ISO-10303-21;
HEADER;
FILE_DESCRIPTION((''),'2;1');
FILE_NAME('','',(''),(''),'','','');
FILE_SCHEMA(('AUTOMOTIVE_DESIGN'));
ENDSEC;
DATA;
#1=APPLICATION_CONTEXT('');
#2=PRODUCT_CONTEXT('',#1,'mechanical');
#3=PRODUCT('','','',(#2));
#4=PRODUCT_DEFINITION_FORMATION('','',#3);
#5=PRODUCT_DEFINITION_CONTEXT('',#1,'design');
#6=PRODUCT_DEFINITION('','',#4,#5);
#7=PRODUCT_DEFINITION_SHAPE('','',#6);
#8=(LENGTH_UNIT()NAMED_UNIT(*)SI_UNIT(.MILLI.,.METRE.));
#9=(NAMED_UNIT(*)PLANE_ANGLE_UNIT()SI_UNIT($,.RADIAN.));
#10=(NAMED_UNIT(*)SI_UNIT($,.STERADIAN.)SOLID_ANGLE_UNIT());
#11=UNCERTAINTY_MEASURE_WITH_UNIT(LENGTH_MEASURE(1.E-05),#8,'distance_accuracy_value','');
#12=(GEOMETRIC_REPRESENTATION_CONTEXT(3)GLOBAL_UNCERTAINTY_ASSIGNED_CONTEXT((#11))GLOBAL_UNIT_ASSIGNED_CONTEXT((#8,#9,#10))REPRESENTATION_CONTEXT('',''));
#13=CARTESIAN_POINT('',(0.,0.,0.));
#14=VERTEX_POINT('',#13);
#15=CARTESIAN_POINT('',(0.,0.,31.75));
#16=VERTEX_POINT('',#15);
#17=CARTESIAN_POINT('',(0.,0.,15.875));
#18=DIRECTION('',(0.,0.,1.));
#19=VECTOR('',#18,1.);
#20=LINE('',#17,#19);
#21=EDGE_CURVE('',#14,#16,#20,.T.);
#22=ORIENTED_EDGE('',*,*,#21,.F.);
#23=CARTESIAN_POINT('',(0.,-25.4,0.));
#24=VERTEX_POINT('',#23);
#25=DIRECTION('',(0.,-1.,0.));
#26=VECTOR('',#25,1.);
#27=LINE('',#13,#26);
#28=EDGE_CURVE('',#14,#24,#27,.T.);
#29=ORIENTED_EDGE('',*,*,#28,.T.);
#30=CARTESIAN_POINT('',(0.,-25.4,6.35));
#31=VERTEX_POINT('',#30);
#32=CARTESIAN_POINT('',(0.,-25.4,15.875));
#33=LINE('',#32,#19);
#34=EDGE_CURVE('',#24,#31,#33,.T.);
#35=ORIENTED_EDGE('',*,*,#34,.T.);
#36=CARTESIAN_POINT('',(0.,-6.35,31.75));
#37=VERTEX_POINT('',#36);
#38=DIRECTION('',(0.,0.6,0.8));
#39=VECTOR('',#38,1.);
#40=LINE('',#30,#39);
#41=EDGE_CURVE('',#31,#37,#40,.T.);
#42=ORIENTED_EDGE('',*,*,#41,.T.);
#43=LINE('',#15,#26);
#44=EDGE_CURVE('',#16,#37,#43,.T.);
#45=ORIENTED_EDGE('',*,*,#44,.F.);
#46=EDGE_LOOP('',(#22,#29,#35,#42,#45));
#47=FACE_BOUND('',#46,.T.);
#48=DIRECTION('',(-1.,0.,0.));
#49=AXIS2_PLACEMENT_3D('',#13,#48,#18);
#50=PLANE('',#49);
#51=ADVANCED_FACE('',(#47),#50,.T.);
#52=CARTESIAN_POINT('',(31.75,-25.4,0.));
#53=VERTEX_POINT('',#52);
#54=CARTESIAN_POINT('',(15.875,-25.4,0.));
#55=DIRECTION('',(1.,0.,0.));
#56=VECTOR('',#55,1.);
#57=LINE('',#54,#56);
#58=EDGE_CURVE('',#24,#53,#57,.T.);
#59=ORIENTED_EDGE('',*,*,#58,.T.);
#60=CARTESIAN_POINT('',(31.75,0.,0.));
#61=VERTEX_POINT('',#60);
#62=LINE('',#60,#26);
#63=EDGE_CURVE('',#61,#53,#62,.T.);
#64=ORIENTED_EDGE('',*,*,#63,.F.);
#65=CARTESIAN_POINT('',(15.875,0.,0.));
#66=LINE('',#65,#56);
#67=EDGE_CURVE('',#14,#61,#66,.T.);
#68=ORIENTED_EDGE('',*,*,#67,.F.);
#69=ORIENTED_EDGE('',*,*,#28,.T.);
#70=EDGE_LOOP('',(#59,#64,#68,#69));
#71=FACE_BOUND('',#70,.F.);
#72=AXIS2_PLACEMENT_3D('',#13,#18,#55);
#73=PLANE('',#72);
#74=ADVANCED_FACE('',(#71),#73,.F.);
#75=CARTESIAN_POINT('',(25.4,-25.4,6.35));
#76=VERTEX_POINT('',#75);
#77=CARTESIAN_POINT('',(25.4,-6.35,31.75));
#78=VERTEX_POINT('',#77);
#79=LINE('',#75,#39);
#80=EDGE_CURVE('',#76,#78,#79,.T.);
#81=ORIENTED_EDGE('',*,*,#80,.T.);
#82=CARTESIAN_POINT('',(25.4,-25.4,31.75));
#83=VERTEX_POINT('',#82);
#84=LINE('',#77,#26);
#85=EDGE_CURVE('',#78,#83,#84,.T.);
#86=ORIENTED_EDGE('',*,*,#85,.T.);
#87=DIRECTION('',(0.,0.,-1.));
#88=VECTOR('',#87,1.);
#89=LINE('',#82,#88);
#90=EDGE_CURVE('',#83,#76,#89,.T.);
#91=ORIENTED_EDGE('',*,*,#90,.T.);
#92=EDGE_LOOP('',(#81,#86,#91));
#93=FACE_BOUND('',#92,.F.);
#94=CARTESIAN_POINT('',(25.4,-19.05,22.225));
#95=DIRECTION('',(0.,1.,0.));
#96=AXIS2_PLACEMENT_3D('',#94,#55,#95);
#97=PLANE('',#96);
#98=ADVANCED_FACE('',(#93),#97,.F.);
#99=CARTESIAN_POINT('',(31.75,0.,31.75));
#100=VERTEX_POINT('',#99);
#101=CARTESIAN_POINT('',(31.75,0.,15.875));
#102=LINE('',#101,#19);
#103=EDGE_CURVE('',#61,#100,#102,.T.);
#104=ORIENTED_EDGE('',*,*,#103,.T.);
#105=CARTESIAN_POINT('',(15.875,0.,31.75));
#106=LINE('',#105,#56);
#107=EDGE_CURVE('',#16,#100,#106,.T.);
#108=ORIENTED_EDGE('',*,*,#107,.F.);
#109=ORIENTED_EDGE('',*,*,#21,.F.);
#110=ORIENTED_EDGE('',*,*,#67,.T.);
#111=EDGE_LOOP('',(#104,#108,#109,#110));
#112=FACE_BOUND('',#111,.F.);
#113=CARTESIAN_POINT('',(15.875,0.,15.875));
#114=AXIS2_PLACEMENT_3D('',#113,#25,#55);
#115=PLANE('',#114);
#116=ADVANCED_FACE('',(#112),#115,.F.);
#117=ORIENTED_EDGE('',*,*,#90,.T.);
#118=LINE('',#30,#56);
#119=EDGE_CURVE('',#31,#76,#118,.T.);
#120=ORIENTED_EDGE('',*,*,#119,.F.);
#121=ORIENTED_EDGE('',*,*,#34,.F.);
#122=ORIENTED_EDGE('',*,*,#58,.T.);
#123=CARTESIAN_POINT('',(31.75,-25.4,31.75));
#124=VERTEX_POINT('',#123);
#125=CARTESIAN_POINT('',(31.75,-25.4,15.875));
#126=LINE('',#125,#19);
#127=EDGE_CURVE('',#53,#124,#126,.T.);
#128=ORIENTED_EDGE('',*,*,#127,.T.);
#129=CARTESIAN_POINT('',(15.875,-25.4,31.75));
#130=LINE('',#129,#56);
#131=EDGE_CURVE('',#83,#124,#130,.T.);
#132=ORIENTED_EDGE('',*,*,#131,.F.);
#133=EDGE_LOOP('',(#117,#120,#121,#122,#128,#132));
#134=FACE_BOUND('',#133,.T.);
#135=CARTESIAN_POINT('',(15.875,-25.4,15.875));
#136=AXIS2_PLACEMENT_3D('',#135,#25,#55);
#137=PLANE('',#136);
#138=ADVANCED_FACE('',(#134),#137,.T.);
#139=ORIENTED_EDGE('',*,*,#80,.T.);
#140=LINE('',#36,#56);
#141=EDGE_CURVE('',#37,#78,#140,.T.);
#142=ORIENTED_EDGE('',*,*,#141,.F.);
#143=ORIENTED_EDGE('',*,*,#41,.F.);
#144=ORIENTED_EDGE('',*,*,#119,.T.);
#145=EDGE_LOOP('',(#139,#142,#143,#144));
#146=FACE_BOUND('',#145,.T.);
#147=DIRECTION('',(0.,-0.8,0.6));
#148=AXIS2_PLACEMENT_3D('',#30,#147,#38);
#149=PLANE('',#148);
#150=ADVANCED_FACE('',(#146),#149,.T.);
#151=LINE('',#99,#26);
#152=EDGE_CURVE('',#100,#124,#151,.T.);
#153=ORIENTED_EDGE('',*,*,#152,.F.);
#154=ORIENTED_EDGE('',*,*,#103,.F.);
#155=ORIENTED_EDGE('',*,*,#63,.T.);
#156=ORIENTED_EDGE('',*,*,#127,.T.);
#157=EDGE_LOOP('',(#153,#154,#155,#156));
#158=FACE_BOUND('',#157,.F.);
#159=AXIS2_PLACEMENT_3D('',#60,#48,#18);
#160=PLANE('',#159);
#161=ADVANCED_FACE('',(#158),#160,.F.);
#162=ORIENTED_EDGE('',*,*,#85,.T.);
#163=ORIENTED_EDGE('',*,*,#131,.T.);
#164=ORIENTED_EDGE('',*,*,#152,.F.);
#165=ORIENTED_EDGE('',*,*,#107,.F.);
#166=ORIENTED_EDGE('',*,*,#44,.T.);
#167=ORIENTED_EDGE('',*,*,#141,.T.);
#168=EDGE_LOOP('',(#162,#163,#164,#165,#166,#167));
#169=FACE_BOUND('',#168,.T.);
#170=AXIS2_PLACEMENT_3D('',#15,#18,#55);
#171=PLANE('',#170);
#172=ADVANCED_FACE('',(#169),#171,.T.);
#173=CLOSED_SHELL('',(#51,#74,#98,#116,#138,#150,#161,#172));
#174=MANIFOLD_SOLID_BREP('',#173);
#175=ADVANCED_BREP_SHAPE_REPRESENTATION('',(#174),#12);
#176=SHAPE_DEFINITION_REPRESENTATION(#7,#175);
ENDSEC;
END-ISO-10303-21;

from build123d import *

# Parameters (mm, degrees)
F0_W     = 31.75
F0_H     = 31.75
F1_DEPTH = 25.4
F3_DEPTH = 25.4


with BuildPart() as f1:
    # F0 (on Front) → F1 (new body)
    with BuildSketch(Plane.XZ):
        with Locations((15.875, 15.875)):
            Rectangle(F0_W, F0_H)
    extrude(amount=F1_DEPTH)

    # F2 (on Right) → F3 (cut)
    with BuildSketch(Plane.YZ):
        Polygon((-25.4, 6.35), (-6.35, 31.75), (-25.4, 31.75), align=None)
    extrude(amount=F3_DEPTH, mode=Mode.SUBTRACT)


solid = f1.part
